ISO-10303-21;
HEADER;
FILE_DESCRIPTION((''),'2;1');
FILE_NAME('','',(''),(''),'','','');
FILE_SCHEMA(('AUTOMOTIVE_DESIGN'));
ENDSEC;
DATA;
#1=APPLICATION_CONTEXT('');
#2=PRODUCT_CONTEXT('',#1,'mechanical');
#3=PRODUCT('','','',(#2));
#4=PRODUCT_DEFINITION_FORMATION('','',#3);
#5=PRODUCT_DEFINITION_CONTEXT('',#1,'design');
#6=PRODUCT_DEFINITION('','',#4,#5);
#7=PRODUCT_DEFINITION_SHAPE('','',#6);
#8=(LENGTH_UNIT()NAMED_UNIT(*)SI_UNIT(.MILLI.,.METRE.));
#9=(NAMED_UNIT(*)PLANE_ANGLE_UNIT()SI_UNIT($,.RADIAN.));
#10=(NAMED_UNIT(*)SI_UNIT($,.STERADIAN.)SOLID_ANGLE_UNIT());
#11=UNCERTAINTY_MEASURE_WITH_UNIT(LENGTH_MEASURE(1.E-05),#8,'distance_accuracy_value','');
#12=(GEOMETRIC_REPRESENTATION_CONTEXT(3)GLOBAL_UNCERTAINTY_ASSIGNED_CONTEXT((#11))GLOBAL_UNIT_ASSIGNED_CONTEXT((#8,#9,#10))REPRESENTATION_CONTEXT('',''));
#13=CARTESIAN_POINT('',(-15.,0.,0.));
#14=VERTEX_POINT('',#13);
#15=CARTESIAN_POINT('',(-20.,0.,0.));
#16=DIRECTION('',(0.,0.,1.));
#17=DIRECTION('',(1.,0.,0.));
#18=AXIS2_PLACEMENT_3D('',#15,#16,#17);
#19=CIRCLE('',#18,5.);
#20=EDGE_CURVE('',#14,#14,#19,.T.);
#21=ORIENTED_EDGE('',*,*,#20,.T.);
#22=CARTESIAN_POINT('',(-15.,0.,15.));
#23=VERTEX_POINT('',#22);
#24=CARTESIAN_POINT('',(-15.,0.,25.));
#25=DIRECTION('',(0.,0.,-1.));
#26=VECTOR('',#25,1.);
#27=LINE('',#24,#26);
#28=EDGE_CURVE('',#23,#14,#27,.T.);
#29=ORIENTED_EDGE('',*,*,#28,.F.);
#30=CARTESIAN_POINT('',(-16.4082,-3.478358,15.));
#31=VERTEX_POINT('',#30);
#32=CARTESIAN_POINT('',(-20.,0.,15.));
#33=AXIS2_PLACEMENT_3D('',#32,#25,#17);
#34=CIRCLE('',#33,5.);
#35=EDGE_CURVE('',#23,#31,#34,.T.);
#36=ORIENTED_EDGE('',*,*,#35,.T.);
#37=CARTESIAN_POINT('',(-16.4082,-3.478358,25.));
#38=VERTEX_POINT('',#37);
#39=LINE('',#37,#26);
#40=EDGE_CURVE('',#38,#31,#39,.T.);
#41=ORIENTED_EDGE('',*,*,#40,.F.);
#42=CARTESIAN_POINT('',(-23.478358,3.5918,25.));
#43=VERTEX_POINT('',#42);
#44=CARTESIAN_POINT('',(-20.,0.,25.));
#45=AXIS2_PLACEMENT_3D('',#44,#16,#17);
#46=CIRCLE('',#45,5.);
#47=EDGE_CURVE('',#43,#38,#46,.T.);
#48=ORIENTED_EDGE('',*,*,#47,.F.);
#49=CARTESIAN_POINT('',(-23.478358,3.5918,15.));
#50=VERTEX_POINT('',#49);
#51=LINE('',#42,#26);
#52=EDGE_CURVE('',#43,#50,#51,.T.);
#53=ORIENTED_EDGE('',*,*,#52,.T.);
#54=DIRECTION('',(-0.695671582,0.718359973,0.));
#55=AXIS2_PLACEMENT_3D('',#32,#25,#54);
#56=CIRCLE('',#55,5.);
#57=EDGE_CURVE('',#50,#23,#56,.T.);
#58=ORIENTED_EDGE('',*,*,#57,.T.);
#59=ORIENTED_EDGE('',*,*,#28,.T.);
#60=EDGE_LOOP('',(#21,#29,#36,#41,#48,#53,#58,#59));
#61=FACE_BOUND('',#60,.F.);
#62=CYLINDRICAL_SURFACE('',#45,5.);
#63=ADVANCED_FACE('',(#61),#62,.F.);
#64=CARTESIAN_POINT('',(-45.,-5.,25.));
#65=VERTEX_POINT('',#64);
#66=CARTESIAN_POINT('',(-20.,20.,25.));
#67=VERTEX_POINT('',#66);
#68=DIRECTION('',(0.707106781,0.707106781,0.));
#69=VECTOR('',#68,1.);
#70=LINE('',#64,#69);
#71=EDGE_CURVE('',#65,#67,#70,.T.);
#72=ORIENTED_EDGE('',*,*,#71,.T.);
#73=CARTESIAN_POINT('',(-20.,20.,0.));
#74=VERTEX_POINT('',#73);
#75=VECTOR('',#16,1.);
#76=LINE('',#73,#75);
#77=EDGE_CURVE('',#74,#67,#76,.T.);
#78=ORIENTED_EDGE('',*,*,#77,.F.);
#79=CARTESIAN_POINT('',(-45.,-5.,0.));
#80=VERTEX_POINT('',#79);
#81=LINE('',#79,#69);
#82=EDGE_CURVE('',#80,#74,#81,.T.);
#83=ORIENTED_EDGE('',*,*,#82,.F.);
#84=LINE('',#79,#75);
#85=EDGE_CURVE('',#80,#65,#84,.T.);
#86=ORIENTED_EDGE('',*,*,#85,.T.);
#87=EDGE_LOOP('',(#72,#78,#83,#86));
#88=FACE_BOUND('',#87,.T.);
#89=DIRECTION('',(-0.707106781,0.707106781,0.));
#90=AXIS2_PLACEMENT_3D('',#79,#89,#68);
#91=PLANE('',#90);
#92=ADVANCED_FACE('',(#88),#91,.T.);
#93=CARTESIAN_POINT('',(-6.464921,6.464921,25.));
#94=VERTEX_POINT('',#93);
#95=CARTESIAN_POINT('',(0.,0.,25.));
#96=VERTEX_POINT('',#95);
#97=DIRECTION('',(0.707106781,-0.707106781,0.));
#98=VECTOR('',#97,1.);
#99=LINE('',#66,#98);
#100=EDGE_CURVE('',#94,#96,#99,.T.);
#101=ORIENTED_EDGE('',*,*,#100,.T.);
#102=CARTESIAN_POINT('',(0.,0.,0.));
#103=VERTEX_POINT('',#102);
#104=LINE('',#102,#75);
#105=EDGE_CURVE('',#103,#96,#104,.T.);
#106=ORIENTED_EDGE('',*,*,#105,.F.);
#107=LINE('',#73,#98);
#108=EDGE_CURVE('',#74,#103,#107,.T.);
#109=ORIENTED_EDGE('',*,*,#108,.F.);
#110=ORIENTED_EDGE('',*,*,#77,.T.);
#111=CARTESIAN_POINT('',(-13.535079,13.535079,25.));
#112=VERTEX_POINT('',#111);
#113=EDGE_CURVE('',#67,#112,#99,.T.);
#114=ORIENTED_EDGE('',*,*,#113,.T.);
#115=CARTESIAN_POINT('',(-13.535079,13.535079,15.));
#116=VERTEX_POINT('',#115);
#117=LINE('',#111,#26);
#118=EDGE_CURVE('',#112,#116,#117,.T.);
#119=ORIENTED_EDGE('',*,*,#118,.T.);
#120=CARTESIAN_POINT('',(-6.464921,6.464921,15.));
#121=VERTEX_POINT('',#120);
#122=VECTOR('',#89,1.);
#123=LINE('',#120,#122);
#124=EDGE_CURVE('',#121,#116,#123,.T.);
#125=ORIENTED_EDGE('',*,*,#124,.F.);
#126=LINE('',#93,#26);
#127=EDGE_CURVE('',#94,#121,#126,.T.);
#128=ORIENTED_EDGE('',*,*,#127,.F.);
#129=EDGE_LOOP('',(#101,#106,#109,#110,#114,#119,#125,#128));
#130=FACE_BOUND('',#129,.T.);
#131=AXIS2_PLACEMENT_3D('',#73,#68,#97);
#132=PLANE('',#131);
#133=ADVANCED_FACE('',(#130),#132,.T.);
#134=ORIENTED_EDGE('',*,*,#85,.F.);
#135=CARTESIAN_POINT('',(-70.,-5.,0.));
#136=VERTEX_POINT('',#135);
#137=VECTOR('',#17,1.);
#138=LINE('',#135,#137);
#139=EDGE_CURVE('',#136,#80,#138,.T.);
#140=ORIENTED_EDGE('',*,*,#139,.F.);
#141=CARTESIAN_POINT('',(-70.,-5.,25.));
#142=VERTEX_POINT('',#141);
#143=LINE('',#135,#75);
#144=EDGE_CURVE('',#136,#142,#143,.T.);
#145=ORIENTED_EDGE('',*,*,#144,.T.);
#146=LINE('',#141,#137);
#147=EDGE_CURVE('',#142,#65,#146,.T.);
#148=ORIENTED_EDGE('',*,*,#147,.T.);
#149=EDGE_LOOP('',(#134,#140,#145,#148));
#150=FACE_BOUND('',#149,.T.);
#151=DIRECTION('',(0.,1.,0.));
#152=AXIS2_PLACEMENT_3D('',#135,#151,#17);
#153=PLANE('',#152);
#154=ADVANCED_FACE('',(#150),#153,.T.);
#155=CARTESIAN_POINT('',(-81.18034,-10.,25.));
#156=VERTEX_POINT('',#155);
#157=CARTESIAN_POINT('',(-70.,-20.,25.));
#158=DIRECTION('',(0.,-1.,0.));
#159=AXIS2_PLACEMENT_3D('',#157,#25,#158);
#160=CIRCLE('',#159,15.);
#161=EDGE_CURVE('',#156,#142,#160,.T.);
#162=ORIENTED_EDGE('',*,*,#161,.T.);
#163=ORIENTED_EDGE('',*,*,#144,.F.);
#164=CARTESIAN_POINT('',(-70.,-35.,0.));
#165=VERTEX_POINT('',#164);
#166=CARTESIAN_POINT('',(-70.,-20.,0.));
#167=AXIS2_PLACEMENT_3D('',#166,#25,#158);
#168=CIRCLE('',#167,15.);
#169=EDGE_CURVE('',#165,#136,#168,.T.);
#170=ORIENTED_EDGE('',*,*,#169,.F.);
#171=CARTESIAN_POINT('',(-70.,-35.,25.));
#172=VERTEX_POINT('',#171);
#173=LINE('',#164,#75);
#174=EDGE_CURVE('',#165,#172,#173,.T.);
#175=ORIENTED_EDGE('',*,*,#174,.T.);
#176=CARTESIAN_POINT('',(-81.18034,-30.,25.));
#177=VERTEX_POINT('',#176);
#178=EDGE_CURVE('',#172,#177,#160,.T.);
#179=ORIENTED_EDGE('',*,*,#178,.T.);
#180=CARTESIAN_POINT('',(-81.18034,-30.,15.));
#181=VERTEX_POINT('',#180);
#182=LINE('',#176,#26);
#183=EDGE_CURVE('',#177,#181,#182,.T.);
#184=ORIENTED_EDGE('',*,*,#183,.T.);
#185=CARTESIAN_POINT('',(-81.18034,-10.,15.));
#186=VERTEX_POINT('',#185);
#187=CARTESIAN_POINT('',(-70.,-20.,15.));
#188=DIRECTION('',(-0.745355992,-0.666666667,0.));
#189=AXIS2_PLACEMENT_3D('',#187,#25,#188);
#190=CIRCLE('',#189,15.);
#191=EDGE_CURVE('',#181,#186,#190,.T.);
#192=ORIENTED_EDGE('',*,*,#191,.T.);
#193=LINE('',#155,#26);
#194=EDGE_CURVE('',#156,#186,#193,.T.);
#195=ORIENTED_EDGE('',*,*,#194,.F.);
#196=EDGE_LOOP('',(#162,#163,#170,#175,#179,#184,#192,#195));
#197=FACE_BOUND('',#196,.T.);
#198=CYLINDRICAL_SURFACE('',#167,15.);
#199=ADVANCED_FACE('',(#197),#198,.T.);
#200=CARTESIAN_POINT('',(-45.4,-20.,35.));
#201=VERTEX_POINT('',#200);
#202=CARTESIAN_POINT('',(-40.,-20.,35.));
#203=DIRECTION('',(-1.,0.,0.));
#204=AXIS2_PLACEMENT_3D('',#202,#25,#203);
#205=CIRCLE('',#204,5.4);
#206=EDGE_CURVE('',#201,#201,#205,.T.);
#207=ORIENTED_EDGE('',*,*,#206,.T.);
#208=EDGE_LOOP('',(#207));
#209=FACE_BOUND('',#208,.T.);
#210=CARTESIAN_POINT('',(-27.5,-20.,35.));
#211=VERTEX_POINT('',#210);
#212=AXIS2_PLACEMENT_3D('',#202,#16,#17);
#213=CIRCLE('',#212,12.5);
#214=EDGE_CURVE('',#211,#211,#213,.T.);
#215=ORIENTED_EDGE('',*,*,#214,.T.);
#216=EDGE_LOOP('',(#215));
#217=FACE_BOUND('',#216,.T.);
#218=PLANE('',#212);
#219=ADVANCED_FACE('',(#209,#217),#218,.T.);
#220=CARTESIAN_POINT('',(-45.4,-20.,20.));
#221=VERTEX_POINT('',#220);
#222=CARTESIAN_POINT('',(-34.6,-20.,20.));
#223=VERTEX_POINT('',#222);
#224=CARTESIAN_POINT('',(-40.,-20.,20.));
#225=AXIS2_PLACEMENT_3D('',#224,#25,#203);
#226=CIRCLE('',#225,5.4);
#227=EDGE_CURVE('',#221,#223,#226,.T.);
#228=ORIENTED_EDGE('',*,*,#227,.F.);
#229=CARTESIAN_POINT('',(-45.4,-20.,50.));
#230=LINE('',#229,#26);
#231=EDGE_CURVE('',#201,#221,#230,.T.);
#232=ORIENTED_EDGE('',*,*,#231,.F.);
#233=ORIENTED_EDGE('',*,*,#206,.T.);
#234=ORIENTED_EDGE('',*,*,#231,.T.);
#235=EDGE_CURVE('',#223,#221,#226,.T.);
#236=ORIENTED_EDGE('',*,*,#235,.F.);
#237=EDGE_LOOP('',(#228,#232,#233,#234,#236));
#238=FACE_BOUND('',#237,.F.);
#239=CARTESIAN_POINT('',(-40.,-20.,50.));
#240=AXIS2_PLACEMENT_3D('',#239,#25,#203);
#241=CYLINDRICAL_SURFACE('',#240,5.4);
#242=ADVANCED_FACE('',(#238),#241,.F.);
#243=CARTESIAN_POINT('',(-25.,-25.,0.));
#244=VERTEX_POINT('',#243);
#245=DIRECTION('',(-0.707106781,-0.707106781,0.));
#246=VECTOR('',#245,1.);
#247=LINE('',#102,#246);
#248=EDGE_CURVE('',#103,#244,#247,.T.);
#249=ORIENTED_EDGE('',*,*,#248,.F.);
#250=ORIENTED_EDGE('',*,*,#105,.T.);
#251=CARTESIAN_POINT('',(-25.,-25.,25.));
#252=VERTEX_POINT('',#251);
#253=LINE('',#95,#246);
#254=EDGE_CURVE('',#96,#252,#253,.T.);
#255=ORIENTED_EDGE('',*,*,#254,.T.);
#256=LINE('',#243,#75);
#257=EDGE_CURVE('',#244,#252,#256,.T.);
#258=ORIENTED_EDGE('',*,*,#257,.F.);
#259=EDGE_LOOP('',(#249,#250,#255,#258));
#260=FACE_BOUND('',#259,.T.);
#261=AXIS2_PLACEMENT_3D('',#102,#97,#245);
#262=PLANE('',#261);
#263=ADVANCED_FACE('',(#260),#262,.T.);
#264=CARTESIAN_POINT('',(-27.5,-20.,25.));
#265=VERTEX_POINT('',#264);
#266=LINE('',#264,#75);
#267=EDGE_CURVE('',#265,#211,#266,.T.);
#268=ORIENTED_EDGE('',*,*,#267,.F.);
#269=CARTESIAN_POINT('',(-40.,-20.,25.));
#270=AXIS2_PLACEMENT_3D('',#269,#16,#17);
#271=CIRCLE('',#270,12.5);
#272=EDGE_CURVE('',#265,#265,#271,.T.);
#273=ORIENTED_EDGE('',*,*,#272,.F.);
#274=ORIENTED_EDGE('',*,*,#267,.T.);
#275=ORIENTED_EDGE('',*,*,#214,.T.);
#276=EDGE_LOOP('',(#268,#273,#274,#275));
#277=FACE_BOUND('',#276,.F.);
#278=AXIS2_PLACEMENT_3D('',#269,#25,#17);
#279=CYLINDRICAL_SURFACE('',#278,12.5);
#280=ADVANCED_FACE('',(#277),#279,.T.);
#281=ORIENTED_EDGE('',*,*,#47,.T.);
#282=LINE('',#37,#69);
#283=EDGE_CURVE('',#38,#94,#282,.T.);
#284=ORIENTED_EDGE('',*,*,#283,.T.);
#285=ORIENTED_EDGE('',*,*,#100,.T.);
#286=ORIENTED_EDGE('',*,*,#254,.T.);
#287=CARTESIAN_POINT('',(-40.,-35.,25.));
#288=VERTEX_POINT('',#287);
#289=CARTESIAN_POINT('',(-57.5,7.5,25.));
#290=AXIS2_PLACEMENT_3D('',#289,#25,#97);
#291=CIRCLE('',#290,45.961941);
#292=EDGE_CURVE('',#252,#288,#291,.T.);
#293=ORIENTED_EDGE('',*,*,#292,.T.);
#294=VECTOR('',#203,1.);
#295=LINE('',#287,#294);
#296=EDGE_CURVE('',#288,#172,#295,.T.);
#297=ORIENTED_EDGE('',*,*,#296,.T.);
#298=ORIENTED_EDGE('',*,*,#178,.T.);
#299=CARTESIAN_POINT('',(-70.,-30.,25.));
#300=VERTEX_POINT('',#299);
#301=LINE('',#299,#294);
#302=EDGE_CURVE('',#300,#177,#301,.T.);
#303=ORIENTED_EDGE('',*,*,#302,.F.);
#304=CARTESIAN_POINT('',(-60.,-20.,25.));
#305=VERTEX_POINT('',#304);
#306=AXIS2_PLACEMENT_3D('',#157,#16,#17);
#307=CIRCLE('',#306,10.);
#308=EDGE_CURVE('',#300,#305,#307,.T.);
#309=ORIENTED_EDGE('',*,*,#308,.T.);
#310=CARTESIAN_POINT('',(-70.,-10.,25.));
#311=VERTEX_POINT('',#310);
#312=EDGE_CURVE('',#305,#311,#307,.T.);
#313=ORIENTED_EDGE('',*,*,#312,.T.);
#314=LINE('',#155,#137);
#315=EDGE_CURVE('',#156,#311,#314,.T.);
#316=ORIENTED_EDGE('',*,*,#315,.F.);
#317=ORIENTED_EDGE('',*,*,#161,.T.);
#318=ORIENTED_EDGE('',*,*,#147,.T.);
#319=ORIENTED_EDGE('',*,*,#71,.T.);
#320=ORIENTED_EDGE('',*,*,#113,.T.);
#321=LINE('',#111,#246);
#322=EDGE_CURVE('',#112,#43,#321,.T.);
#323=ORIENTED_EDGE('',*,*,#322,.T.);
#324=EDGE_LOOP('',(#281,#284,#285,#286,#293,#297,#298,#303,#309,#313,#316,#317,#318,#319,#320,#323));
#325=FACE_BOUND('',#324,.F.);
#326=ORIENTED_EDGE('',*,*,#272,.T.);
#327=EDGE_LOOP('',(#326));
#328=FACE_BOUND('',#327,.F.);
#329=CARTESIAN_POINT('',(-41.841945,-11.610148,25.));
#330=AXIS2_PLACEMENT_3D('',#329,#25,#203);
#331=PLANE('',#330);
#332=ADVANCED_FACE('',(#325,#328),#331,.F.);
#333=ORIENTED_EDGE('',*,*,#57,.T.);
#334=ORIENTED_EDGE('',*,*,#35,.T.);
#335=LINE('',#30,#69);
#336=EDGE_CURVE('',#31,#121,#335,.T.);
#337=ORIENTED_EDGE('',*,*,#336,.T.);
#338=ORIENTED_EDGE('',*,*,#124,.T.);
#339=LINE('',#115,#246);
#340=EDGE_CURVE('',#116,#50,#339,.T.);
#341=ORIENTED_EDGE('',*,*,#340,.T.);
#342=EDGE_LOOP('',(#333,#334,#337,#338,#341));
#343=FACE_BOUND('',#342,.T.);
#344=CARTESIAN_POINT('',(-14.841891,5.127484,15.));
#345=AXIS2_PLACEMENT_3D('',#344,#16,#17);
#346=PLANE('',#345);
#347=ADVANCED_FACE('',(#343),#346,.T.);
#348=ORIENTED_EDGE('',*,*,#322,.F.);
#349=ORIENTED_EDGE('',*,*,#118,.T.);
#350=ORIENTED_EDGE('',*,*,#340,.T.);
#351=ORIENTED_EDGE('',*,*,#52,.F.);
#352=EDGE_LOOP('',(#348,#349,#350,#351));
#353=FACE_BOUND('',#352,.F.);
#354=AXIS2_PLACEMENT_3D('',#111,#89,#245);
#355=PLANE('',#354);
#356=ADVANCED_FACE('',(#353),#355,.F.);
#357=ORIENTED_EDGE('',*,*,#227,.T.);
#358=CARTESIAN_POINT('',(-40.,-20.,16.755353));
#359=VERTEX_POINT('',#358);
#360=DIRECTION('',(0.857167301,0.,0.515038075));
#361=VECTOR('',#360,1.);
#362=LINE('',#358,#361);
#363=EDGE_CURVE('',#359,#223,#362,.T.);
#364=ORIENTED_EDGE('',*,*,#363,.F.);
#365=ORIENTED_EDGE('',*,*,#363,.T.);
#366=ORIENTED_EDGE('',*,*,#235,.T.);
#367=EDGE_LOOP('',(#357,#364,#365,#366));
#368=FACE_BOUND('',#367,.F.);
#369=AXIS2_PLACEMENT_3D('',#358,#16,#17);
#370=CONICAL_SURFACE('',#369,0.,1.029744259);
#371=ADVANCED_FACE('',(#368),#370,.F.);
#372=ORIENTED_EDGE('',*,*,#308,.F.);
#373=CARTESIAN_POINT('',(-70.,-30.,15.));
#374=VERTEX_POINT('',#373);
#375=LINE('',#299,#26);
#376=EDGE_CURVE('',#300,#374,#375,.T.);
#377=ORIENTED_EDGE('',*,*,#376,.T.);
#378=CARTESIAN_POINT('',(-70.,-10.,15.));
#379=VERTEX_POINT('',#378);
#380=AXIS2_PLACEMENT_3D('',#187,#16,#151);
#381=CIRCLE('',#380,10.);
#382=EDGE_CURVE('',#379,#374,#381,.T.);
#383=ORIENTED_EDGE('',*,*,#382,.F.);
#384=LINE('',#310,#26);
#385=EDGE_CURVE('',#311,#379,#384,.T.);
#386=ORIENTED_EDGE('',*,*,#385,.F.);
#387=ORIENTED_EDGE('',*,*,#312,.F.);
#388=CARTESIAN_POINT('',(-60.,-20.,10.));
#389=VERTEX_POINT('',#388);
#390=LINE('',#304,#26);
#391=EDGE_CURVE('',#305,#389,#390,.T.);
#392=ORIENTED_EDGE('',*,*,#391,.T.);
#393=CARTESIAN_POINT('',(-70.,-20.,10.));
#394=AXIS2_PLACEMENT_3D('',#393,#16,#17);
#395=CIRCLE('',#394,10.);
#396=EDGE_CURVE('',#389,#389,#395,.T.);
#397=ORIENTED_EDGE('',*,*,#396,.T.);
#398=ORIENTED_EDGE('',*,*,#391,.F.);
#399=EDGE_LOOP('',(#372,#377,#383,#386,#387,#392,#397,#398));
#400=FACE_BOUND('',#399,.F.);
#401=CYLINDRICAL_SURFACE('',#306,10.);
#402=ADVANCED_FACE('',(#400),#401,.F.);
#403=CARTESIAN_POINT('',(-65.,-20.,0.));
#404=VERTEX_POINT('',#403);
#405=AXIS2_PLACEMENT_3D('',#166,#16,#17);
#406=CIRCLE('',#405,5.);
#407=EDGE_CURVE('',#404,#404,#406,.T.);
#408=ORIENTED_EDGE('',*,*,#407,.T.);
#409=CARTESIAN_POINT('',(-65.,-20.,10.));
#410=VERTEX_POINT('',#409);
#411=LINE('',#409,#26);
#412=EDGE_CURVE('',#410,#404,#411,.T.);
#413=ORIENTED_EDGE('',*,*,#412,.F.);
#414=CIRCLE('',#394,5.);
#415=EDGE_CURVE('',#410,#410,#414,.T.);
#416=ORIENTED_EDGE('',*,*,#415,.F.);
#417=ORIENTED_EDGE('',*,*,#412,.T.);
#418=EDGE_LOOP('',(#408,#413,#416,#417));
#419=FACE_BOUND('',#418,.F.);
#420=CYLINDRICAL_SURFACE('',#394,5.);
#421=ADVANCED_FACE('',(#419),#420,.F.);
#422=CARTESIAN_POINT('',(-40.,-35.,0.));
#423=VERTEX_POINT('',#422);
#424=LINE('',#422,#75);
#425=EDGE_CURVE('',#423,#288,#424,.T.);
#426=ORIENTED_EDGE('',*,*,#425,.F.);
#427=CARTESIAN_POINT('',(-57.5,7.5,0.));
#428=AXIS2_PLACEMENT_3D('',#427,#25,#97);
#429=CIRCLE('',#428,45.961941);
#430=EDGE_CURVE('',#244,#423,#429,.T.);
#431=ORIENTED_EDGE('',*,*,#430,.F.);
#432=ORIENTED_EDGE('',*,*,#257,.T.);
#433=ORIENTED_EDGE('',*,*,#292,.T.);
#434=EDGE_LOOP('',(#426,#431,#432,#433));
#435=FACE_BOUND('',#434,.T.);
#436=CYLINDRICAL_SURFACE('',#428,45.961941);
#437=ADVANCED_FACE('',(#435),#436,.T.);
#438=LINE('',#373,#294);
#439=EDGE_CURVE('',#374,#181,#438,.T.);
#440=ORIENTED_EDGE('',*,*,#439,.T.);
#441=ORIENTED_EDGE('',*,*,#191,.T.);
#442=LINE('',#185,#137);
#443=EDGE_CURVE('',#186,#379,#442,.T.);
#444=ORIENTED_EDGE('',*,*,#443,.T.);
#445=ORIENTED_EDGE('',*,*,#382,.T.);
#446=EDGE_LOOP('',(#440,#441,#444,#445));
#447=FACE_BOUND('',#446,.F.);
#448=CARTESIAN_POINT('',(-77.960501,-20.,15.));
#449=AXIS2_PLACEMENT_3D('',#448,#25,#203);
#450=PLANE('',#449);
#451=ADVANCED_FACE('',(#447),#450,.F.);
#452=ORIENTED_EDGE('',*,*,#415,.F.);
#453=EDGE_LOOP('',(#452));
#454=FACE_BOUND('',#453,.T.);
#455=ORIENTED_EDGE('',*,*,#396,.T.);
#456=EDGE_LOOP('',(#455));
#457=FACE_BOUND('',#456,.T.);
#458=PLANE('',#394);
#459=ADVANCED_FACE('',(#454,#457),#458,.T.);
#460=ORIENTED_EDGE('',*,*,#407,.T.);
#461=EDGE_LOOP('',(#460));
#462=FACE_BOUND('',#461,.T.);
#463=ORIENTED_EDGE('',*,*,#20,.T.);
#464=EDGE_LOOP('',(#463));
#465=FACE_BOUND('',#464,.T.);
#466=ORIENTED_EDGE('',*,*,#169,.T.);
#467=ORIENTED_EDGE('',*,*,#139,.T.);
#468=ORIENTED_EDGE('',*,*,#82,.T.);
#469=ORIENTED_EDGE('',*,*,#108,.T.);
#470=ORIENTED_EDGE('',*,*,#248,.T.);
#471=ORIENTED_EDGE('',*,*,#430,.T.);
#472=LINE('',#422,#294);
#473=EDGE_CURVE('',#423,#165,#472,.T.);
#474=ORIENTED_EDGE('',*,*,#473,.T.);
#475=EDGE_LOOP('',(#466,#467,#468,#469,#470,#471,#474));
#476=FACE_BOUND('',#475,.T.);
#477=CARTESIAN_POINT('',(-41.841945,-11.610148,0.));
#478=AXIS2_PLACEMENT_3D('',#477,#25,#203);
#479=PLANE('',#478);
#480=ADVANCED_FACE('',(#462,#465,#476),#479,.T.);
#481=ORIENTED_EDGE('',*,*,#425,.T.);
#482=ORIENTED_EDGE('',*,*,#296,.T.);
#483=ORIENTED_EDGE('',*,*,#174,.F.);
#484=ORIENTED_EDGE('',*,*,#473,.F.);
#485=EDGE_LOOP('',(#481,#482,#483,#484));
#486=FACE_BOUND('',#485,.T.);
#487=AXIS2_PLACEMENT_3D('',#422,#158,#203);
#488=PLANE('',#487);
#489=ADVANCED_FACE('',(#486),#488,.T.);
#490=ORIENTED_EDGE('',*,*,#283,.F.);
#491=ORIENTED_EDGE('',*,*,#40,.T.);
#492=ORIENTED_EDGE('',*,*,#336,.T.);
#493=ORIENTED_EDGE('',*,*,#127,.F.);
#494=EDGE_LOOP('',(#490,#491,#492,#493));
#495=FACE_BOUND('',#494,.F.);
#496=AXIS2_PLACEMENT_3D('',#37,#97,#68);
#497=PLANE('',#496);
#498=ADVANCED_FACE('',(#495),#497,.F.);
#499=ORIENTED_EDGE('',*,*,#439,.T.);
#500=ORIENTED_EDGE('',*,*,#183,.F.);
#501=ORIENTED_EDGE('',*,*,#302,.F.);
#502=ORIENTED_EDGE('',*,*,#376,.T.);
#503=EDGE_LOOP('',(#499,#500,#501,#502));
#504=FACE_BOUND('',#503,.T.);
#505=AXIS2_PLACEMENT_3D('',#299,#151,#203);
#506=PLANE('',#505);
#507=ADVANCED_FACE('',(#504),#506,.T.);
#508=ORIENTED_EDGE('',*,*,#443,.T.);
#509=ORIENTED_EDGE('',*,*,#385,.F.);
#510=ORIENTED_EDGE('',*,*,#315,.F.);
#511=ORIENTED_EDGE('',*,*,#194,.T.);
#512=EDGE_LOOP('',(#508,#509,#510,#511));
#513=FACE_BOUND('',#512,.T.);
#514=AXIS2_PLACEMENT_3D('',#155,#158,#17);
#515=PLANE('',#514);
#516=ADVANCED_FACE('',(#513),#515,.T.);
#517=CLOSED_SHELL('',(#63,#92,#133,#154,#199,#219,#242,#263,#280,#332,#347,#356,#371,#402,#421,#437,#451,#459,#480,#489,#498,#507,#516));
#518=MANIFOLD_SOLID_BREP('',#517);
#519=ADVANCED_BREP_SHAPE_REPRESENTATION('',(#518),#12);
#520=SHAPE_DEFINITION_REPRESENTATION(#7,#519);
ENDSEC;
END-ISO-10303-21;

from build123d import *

# Parameters (mm, degrees)
BOSS_EXTRUDE2_DEPTH         = 25
SKETCH2_R                   = 5
CUT_EXTRUDE1_DEPTH          = 63
CUT_EXTRUDE2_DEPTH          = 10
SKETCH4_R                   = 12.5
BOSS_EXTRUDE4_DEPTH         = 10
SKETCH10_R                  = 10
CUT_EXTRUDE3_DEPTH          = 15
SKETCH11_R                  = 5
CUT_EXTRUDE4_DEPTH          = 872
CUT_EXTRUDE6_DEPTH          = 10
M12X1_25_TAPPED_HOLE1_D     = 10.8
M12X1_25_TAPPED_HOLE1_DEPTH = 15
M12X1_25_TAPPED_HOLE1_TIP   = 3.244647343


with BuildPart() as part:
    # Sketch1 → Boss-Extrude2 (new body)
    with BuildSketch(Plane.XY):
        with BuildLine():
            Line((-45, -5), (-20, 20))
            Line((-20, 20), (0, 0))
            Line((0, 0), (-25, -25))
            ThreePointArc((-25, -25), (-32.004902432, -30.742646352), (-40, -35))
            Line((-40, -35), (-70, -35))
            ThreePointArc((-70, -35), (-85, -20), (-70, -5))
            Line((-70, -5), (-45, -5))
        make_face()
    extrude(amount=BOSS_EXTRUDE2_DEPTH)

    # Sketch2 → Cut-Extrude1 (cut)
    with BuildSketch(Plane.XY.offset(25)):
        with Locations((-20, 0)):
            Circle(SKETCH2_R)
    extrude(amount=-CUT_EXTRUDE1_DEPTH, mode=Mode.SUBTRACT)

    # Sketch3 → Cut-Extrude2 (cut)
    with BuildSketch(Plane.XY.offset(25)):
        with BuildLine():
            Line((-6.464921114, 6.464921114), (-13.535078886, 13.535078886))
            Line((-13.535078886, 13.535078886), (-23.478357909, 3.591799863))
            ThreePointArc((-23.478357909, 3.591799863), (-18.049588447, 4.603899953), (-15, 0))
            ThreePointArc((-15, 0), (-15.365401888, -1.876299641), (-16.408200137, -3.478357909))
            Line((-16.408200137, -3.478357909), (-6.464921114, 6.464921114))
        make_face()
    extrude(amount=-CUT_EXTRUDE2_DEPTH, mode=Mode.SUBTRACT)

    # Sketch4 → Boss-Extrude4 (add)
    with BuildSketch(Plane.XY.offset(25)):
        with Locations((-40, -20)):
            Circle(SKETCH4_R)
    extrude(amount=BOSS_EXTRUDE4_DEPTH)

    # Sketch10 → Cut-Extrude3 (cut)
    with BuildSketch(Plane.XY.offset(25)):
        with Locations((-70, -20)):
            Circle(SKETCH10_R)
    extrude(amount=-CUT_EXTRUDE3_DEPTH, mode=Mode.SUBTRACT)

    # Sketch11 → Cut-Extrude4 (cut)
    with BuildSketch(Plane.XY.offset(10)):
        with Locations((-70, -20)):
            Circle(SKETCH11_R)
    extrude(amount=-CUT_EXTRUDE4_DEPTH, mode=Mode.SUBTRACT)

    # Sketch12 → Cut-Extrude6 (cut)
    with BuildSketch(Plane.XY.offset(25)):
        with BuildLine():
            Line((-70, -30), (-81.180339887, -30))
            ThreePointArc((-81.180339887, -30), (-85, -20), (-81.180339887, -10))
            Line((-81.180339887, -10), (-70, -10))
            ThreePointArc((-70, -10), (-80, -20), (-70, -30))
        make_face()
    extrude(amount=-CUT_EXTRUDE6_DEPTH, mode=Mode.SUBTRACT)

    # M12x1.25 Tapped Hole1
    with Locations(Plane.XY.offset(35)):
        with Locations((-40, -20)):
            Hole(M12X1_25_TAPPED_HOLE1_D / 2, depth=M12X1_25_TAPPED_HOLE1_DEPTH)
            with Locations((0, 0, -(M12X1_25_TAPPED_HOLE1_DEPTH + M12X1_25_TAPPED_HOLE1_TIP / 2))):  # 118° drill point
                Cone(0, M12X1_25_TAPPED_HOLE1_D / 2, M12X1_25_TAPPED_HOLE1_TIP, mode=Mode.SUBTRACT)


solid = part.part
